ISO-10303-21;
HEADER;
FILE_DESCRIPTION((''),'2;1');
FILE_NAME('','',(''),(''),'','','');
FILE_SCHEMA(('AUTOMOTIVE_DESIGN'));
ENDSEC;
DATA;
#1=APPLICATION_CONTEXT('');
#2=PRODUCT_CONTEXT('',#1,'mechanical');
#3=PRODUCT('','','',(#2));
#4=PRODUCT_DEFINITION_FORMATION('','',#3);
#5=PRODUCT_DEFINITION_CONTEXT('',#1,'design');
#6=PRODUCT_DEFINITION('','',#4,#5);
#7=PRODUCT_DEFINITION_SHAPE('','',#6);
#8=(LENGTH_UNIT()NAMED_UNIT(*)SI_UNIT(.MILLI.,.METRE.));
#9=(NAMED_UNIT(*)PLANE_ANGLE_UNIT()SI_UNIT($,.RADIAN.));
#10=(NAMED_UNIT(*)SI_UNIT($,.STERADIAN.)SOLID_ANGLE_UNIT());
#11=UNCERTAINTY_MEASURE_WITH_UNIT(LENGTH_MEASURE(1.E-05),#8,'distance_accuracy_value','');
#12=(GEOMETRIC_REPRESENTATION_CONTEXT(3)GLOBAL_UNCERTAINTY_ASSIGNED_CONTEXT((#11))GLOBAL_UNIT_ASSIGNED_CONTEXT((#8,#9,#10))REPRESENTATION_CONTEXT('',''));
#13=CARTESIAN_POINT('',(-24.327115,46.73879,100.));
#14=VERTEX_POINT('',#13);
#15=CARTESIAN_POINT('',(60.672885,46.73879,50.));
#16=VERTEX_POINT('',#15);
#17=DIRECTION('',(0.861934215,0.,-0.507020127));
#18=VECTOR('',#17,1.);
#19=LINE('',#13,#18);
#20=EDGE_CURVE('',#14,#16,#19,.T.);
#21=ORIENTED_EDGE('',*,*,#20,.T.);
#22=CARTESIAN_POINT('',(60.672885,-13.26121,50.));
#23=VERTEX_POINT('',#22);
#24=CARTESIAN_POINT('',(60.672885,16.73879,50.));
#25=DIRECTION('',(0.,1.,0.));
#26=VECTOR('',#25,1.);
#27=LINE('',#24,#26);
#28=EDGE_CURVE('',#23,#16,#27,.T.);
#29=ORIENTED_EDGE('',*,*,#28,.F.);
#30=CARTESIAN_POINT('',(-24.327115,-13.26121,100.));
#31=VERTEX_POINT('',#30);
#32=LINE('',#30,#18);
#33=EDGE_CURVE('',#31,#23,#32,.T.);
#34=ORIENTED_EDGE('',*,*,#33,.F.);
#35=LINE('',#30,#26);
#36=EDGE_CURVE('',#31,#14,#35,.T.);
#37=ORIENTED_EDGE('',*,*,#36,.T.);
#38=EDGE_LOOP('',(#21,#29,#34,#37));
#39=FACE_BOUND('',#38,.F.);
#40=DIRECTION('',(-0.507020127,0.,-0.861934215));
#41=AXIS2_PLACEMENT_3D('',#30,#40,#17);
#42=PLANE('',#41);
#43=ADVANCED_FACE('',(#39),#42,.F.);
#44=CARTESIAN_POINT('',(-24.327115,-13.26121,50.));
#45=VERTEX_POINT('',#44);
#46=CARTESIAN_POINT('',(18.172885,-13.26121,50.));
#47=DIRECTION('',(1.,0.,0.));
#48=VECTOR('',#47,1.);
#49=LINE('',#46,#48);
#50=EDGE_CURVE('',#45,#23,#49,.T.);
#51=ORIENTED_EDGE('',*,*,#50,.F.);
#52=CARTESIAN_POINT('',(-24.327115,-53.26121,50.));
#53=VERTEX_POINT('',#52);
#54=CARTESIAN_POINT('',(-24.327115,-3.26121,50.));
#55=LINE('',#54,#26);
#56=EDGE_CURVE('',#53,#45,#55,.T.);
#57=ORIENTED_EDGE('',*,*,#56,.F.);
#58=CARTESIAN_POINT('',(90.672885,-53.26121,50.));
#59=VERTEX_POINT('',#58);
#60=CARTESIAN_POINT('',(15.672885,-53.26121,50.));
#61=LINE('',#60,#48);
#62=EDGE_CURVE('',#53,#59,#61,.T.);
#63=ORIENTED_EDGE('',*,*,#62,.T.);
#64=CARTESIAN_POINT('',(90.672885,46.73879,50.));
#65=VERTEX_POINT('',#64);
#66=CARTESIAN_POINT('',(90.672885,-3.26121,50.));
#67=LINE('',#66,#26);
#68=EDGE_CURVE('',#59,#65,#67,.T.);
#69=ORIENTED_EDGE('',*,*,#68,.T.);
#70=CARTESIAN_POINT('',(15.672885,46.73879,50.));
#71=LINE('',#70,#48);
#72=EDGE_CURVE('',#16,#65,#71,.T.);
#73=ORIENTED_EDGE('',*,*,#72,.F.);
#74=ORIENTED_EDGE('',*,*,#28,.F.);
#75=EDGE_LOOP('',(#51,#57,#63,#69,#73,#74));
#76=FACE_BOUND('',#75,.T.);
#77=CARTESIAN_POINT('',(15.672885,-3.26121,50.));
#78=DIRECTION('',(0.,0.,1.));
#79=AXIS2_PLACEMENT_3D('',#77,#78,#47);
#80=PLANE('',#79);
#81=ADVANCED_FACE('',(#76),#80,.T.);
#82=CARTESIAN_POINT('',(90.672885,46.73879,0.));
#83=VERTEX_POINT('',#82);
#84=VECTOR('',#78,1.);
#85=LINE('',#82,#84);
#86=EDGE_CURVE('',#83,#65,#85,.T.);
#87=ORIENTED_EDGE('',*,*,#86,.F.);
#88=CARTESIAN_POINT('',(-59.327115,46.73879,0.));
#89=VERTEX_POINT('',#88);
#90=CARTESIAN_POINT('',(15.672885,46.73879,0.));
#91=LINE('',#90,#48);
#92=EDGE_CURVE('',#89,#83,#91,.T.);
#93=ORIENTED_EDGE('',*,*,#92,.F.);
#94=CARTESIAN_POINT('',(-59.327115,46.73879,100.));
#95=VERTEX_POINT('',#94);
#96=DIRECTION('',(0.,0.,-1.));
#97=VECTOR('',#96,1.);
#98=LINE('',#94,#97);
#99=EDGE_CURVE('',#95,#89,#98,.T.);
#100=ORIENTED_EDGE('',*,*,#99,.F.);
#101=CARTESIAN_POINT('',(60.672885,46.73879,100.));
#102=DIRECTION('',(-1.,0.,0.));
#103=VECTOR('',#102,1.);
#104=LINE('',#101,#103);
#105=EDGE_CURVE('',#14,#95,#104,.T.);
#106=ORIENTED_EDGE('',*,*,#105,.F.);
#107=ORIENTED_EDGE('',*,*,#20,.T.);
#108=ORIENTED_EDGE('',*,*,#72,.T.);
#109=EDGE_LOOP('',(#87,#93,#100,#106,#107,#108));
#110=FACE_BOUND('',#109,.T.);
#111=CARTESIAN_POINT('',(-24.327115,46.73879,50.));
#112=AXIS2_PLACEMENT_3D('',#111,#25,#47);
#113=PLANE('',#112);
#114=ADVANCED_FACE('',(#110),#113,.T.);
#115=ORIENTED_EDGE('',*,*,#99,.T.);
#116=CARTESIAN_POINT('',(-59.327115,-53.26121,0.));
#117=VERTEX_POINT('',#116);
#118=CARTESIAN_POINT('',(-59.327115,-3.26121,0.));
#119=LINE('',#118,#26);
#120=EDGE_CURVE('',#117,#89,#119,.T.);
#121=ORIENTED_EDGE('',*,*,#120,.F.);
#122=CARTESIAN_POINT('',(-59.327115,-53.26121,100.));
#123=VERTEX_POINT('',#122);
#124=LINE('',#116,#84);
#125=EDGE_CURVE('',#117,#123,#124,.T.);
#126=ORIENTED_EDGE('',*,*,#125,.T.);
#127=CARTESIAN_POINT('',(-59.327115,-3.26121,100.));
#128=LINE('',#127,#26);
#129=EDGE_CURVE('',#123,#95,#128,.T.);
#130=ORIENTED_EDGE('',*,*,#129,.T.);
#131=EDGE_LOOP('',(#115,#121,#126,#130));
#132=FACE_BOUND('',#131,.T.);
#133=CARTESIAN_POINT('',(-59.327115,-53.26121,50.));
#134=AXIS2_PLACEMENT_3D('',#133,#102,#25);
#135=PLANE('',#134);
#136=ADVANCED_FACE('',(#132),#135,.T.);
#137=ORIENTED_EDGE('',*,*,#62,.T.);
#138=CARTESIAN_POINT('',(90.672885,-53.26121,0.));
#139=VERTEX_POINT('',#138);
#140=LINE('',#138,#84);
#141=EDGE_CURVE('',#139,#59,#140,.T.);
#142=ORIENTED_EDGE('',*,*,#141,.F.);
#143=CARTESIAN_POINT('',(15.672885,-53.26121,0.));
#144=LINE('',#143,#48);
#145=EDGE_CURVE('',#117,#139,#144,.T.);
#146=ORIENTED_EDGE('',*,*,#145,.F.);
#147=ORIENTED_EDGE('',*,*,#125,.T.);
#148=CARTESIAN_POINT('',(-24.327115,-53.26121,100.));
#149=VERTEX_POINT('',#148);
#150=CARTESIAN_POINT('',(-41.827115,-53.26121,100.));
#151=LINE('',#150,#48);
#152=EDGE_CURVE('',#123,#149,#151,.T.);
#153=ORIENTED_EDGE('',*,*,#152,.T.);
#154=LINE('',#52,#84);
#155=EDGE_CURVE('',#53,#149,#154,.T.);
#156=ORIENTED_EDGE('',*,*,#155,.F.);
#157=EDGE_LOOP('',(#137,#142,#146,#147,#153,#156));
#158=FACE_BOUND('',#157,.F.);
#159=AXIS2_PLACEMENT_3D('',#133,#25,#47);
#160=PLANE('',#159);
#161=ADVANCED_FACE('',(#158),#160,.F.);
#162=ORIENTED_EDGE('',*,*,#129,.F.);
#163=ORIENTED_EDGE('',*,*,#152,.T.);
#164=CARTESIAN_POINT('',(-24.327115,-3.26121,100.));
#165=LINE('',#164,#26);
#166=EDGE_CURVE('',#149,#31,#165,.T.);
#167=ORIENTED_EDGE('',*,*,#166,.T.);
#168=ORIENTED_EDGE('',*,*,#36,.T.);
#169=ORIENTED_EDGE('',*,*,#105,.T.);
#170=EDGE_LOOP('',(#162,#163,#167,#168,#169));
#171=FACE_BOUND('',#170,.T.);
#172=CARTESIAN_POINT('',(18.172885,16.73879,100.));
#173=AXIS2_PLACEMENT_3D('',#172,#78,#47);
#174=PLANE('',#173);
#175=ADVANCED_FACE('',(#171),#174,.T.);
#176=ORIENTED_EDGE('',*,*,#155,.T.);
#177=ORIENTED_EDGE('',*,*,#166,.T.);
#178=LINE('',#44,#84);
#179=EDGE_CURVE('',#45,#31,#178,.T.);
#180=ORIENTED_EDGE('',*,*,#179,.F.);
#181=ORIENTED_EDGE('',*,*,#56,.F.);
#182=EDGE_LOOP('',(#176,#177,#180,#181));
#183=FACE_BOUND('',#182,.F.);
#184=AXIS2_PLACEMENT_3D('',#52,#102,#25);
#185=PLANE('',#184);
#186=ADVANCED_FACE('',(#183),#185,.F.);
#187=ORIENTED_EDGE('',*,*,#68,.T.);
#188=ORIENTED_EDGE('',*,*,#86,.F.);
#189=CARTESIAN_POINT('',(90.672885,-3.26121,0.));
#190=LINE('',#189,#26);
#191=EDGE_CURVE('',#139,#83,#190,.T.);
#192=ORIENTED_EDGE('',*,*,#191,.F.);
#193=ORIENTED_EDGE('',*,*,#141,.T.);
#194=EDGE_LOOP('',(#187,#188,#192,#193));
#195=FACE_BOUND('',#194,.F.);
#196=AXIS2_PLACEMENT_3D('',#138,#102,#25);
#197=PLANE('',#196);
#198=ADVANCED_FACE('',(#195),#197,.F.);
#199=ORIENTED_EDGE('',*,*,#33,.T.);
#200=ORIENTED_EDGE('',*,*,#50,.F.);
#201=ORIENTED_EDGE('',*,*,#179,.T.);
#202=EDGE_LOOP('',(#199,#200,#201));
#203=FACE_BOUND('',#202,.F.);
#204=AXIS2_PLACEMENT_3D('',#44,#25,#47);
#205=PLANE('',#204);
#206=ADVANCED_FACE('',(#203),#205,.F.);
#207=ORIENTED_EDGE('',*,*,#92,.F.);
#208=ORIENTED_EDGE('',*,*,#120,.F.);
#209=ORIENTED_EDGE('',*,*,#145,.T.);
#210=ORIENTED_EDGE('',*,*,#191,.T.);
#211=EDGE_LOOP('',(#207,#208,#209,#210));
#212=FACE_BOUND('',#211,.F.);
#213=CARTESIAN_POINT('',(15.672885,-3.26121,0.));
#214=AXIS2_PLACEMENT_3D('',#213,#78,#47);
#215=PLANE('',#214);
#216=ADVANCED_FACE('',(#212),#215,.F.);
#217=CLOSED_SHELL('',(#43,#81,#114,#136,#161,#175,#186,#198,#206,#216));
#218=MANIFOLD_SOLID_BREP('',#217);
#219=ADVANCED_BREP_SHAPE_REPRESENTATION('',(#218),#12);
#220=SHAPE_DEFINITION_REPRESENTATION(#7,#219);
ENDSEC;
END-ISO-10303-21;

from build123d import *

# Parameters (mm, degrees)
F0_W     = 150
F0_H     = 100
F1_DEPTH = 50
F2_W     = 35
F2_H     = 100
F3_DEPTH = 50
F4_W     = 85
F4_H     = 60
F5_DEPTH = 50
F7_DEPTH = 60


with BuildPart() as f1:
    # F0 (on Top) → F1 (new body)
    with BuildSketch(Plane.XY):
        with Locations((15.672885, -3.26121)):
            Rectangle(F0_W, F0_H)
    extrude(amount=F1_DEPTH)

    # F2 (on face) → F3 (join)
    with BuildSketch(Plane.XY.offset(50)):
        with Locations((-41.827115, -3.26121)):
            Rectangle(F2_W, F2_H)
    extrude(amount=F3_DEPTH)

    # F4 (on face) → F5 (join)
    with BuildSketch(Plane.XY.offset(50)):
        with Locations((18.172885, 16.73879)):
            Rectangle(F4_W, F4_H)
    extrude(amount=F5_DEPTH)

    # F6 (on face) → F7 (cut)
    with BuildSketch(Plane.XZ.offset(13.26121)):
        Polygon((60.672885, 100), (-24.327115, 100), (60.672885, 50), align=None)
    extrude(amount=-F7_DEPTH, mode=Mode.SUBTRACT)


solid = f1.part
